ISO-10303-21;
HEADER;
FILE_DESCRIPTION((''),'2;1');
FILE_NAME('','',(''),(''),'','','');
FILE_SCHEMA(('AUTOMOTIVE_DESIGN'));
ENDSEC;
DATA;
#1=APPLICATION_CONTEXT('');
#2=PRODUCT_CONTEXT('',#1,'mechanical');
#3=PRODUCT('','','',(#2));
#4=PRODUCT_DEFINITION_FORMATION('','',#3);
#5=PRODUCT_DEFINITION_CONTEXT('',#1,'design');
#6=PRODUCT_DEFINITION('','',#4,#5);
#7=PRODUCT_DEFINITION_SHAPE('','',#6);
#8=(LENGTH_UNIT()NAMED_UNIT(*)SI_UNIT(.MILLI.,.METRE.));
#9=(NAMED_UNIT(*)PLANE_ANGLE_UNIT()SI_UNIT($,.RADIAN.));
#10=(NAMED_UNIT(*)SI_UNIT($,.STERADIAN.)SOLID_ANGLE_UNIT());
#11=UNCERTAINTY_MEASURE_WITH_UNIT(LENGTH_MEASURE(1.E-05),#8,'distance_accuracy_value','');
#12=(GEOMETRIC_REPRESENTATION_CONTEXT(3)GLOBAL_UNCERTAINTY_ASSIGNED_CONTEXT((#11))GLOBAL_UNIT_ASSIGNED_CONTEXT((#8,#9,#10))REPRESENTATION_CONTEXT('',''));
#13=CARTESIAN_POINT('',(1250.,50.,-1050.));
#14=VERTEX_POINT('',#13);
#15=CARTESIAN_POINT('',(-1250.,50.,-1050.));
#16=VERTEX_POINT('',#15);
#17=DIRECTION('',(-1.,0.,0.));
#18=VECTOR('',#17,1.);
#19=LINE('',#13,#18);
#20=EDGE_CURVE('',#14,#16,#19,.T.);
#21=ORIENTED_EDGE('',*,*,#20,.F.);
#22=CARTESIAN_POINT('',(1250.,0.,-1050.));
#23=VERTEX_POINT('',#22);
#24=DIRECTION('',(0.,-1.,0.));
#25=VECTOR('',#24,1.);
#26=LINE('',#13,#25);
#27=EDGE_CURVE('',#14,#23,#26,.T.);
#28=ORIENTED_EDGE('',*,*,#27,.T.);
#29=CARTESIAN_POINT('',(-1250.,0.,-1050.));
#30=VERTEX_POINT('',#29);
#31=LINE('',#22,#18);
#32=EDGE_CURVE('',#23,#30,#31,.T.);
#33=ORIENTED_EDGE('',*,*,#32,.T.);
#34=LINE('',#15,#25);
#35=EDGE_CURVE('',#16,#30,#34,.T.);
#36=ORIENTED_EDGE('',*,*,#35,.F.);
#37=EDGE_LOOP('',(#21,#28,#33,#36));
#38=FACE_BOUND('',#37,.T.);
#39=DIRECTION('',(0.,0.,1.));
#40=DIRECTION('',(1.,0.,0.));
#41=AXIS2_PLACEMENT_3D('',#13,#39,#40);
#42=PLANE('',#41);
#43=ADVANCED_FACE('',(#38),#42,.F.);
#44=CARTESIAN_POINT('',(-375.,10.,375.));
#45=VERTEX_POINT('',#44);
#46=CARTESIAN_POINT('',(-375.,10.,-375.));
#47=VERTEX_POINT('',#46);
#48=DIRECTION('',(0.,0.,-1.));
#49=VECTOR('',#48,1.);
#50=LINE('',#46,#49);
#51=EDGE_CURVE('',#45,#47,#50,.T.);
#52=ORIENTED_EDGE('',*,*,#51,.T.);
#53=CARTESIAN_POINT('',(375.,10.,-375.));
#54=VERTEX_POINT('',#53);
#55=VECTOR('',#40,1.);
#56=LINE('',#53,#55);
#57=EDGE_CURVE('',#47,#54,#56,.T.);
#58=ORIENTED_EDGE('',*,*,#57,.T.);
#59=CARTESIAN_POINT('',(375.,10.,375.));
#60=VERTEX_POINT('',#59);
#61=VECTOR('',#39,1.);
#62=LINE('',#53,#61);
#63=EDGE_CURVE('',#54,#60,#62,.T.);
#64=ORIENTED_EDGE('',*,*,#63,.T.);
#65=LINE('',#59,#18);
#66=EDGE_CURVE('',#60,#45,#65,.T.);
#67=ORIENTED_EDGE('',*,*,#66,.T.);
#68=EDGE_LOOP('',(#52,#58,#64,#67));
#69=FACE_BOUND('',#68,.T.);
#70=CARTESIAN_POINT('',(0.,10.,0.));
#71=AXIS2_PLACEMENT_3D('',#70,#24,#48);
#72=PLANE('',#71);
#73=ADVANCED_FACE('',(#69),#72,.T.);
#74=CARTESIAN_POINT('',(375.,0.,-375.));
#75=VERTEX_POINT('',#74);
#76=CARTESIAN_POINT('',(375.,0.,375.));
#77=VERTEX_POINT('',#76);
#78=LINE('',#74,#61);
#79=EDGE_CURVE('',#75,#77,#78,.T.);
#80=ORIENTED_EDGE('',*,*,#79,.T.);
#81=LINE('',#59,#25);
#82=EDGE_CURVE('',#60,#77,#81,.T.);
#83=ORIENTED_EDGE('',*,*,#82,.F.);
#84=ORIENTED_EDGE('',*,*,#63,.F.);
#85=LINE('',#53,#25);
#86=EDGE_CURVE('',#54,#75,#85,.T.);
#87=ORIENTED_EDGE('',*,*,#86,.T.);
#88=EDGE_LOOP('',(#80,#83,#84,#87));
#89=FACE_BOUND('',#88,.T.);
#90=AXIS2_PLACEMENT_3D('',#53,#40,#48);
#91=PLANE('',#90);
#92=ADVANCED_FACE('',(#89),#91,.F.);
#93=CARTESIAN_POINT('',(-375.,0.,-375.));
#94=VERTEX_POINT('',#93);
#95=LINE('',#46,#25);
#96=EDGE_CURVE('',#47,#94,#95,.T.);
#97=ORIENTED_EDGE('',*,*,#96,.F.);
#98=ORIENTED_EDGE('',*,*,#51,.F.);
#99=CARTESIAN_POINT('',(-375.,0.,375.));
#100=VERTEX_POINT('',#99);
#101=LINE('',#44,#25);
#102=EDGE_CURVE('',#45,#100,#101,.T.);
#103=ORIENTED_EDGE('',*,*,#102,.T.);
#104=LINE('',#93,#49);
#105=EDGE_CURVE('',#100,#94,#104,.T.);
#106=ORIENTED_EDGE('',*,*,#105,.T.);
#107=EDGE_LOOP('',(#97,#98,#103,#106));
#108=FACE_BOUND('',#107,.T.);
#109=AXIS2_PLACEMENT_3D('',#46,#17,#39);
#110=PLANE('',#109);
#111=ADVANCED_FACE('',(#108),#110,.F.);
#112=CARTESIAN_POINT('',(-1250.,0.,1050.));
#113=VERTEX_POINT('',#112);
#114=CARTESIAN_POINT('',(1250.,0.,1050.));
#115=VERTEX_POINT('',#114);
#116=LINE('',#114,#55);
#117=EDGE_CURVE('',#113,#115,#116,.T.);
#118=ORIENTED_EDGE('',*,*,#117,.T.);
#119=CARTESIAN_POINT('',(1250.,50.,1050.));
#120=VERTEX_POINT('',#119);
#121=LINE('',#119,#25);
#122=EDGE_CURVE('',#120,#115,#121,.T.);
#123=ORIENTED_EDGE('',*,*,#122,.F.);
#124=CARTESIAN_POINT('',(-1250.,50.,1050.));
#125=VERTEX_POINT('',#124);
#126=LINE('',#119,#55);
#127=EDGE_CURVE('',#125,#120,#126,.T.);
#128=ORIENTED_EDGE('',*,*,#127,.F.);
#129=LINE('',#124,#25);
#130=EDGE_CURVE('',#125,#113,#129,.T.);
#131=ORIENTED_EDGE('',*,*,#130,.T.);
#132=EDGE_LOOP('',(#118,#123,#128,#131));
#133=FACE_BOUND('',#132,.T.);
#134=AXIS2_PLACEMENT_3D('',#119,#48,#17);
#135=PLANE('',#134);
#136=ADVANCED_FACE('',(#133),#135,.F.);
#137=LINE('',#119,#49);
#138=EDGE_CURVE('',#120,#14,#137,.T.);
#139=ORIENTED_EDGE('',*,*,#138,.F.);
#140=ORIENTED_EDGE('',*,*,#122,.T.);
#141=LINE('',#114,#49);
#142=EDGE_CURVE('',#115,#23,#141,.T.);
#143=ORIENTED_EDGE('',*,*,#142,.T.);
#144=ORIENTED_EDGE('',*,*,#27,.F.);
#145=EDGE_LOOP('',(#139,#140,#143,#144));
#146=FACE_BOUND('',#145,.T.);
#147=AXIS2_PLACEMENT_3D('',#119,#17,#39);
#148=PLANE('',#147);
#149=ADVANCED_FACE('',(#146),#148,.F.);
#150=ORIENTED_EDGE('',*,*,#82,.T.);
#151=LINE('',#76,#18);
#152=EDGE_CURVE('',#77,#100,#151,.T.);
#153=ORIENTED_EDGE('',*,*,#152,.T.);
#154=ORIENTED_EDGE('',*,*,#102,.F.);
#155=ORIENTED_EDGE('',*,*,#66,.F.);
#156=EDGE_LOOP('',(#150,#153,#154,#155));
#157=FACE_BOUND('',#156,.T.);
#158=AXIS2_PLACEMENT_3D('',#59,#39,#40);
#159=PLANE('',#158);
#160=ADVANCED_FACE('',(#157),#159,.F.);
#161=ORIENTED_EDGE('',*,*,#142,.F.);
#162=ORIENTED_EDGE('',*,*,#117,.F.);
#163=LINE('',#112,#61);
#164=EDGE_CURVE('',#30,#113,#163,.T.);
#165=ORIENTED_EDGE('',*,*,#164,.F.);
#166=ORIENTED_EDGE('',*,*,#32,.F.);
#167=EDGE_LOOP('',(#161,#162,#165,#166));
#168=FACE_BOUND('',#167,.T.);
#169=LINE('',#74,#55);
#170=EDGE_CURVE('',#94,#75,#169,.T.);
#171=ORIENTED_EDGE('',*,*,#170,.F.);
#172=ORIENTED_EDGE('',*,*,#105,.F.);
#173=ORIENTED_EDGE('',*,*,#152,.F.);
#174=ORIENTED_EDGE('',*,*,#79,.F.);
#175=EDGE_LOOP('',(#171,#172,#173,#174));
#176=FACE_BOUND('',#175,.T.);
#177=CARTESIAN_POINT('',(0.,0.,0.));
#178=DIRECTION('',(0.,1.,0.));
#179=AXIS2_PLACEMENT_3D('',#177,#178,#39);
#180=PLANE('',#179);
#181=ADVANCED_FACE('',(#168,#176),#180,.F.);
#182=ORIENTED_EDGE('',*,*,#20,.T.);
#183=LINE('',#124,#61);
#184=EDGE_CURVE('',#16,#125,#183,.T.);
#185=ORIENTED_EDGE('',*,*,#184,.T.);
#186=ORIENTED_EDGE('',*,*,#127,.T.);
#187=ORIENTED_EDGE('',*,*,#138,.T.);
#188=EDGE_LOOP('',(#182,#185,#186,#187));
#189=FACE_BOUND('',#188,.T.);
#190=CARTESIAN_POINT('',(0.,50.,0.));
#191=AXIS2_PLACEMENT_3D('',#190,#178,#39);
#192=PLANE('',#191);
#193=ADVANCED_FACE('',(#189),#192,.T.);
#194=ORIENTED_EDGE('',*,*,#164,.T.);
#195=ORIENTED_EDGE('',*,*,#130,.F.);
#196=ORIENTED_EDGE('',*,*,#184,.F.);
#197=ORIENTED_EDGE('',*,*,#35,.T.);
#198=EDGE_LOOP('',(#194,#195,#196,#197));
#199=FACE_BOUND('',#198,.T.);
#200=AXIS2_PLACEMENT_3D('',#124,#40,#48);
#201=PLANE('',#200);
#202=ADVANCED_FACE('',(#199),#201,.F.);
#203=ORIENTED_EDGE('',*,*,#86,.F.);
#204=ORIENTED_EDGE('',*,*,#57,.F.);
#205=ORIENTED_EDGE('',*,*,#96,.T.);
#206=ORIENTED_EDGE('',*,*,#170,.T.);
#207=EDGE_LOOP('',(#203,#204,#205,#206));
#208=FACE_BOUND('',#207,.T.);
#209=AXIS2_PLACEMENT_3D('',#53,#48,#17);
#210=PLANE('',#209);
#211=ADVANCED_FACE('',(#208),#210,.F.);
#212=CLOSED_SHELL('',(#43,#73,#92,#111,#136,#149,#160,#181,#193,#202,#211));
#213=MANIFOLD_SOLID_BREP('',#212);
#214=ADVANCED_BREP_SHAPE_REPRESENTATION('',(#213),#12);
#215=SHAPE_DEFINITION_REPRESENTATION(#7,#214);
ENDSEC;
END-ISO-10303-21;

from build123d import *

# Parameters (mm, degrees)
SKETCH1_W           = 2500
SKETCH1_H           = 2100
BOSS_EXTRUDE1_DEPTH = 50
SKETCH2_W           = 750
SKETCH2_H           = 750
CUT_EXTRUDE1_DEPTH  = 10


with BuildPart() as part:
    # Sketch1 → Boss-Extrude1 (new body)
    with BuildSketch(Plane(origin=(0, 0, 0), x_dir=(1, 0, 0), z_dir=(0, 1, 0))):
        Rectangle(SKETCH1_W, SKETCH1_H)
    extrude(amount=BOSS_EXTRUDE1_DEPTH)

    # Sketch2 → Cut-Extrude1 (cut)
    with BuildSketch(Plane.XZ):
        Rectangle(SKETCH2_W, SKETCH2_H)
    extrude(amount=-CUT_EXTRUDE1_DEPTH, mode=Mode.SUBTRACT)


solid = part.part
